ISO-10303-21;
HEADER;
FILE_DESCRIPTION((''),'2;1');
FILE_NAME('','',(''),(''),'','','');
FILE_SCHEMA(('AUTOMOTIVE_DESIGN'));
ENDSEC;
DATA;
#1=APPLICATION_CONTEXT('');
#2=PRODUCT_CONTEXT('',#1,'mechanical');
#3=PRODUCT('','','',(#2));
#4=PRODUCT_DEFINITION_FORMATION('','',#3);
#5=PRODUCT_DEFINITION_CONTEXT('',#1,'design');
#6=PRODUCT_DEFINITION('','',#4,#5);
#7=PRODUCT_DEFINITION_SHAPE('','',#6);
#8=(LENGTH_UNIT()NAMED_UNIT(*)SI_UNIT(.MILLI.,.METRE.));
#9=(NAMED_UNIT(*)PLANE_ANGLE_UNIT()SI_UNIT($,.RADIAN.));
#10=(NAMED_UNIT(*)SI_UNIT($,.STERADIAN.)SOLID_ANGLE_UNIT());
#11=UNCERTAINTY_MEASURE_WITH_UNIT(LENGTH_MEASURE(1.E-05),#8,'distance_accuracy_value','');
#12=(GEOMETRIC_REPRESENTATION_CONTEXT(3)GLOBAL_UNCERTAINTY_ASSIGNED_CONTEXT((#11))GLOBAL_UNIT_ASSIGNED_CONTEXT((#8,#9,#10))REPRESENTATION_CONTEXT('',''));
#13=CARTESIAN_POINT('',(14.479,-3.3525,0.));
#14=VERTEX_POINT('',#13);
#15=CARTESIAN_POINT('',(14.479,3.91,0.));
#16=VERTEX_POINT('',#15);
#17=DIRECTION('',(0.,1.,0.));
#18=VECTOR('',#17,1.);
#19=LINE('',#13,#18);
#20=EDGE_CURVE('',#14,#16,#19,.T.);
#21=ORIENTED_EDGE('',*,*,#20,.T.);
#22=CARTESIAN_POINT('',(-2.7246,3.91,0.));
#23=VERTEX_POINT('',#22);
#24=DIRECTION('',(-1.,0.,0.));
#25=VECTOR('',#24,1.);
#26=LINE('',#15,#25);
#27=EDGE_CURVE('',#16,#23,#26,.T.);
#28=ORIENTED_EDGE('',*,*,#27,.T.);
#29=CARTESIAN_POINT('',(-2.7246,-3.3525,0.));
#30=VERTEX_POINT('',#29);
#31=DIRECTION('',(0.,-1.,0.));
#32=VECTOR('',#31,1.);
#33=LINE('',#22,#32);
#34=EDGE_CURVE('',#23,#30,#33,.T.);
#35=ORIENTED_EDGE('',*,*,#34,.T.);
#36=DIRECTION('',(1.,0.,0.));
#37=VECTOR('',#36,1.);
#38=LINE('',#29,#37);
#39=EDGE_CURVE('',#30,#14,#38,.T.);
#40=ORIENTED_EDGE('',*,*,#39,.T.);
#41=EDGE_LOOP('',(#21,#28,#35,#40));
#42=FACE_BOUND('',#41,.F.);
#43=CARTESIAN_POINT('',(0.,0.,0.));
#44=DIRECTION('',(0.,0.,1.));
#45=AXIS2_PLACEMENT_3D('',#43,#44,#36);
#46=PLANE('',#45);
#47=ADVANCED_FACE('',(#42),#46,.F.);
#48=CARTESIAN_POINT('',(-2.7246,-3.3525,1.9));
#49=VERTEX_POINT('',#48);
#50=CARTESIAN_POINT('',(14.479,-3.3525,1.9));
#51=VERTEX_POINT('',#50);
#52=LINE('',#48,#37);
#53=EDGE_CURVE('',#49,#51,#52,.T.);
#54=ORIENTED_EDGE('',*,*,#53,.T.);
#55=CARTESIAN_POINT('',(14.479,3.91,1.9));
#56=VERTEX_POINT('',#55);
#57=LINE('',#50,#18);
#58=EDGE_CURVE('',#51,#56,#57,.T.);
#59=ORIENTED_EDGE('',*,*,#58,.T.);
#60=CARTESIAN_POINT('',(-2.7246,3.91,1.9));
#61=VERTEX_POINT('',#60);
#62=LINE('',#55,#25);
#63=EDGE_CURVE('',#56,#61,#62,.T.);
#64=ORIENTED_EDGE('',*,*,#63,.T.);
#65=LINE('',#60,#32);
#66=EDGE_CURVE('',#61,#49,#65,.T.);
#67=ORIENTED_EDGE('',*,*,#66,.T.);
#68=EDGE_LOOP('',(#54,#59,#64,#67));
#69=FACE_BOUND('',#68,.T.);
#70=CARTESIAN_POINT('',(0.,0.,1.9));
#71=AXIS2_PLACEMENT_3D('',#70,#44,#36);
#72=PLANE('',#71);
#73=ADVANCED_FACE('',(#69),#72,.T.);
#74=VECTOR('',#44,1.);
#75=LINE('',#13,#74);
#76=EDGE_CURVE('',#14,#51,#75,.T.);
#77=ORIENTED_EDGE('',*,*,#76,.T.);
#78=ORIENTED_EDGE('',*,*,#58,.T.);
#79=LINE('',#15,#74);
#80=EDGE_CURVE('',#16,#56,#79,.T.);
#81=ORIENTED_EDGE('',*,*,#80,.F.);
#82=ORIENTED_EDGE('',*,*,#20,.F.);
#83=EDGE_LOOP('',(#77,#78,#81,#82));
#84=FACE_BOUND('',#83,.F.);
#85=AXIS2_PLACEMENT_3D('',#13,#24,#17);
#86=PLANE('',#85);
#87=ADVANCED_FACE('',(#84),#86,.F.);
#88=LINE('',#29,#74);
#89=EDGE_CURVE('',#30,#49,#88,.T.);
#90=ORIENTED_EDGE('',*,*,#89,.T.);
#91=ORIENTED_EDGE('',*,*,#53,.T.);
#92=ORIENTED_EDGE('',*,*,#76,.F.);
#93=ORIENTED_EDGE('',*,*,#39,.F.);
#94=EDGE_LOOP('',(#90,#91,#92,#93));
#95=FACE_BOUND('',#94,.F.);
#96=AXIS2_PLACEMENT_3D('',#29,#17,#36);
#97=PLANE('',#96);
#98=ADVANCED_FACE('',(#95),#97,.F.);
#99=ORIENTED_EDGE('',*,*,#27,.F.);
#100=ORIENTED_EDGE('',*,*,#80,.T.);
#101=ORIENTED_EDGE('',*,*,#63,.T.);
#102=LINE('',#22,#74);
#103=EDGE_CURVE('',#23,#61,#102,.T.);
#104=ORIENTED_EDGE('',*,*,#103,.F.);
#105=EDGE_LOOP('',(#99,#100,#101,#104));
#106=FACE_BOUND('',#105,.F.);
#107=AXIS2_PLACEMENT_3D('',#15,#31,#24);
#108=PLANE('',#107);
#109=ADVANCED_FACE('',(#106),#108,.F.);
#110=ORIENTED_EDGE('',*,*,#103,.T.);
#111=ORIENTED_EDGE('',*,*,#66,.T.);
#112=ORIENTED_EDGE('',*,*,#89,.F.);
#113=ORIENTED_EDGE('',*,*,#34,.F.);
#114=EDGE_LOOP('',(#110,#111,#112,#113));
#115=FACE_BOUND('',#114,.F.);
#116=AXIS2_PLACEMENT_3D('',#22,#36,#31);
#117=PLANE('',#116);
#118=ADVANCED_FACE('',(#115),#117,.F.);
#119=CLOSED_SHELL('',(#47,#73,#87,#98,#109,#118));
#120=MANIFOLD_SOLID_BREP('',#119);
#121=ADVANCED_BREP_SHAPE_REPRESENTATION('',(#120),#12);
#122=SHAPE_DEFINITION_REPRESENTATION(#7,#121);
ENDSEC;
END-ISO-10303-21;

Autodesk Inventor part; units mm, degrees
ref_plane "YZ Plane" through (0, 0, 0) normal (1, 0, 0) x (0, 1, 0)
ref_plane "XZ Plane" through (0, 0, 0) normal (0, 1, 0) x (-1, 0, 0)
ref_plane "XY Plane" through (0, 0, 0) normal (0, 0, 1) x (1, 0, 0)
sketch "HDR2X5, Header 5X2_8" plane through (0, 0, 0) normal (0, 0, 1) x (1, 0, 0)
  line L0 (-2.7246, -3.3525) -> (14.479, -3.3525)
  line L1 (14.479, -3.3525) -> (14.479, 3.91)
  line L2 (14.479, 3.91) -> (-2.7246, 3.91)
  line L3 (-2.7246, 3.91) -> (-2.7246, -3.3525)
extrude "Extrusion1" add sketch "HDR2X5, Header 5X2_8" along normal blind 1.9
properties part number "Header 5X2"
